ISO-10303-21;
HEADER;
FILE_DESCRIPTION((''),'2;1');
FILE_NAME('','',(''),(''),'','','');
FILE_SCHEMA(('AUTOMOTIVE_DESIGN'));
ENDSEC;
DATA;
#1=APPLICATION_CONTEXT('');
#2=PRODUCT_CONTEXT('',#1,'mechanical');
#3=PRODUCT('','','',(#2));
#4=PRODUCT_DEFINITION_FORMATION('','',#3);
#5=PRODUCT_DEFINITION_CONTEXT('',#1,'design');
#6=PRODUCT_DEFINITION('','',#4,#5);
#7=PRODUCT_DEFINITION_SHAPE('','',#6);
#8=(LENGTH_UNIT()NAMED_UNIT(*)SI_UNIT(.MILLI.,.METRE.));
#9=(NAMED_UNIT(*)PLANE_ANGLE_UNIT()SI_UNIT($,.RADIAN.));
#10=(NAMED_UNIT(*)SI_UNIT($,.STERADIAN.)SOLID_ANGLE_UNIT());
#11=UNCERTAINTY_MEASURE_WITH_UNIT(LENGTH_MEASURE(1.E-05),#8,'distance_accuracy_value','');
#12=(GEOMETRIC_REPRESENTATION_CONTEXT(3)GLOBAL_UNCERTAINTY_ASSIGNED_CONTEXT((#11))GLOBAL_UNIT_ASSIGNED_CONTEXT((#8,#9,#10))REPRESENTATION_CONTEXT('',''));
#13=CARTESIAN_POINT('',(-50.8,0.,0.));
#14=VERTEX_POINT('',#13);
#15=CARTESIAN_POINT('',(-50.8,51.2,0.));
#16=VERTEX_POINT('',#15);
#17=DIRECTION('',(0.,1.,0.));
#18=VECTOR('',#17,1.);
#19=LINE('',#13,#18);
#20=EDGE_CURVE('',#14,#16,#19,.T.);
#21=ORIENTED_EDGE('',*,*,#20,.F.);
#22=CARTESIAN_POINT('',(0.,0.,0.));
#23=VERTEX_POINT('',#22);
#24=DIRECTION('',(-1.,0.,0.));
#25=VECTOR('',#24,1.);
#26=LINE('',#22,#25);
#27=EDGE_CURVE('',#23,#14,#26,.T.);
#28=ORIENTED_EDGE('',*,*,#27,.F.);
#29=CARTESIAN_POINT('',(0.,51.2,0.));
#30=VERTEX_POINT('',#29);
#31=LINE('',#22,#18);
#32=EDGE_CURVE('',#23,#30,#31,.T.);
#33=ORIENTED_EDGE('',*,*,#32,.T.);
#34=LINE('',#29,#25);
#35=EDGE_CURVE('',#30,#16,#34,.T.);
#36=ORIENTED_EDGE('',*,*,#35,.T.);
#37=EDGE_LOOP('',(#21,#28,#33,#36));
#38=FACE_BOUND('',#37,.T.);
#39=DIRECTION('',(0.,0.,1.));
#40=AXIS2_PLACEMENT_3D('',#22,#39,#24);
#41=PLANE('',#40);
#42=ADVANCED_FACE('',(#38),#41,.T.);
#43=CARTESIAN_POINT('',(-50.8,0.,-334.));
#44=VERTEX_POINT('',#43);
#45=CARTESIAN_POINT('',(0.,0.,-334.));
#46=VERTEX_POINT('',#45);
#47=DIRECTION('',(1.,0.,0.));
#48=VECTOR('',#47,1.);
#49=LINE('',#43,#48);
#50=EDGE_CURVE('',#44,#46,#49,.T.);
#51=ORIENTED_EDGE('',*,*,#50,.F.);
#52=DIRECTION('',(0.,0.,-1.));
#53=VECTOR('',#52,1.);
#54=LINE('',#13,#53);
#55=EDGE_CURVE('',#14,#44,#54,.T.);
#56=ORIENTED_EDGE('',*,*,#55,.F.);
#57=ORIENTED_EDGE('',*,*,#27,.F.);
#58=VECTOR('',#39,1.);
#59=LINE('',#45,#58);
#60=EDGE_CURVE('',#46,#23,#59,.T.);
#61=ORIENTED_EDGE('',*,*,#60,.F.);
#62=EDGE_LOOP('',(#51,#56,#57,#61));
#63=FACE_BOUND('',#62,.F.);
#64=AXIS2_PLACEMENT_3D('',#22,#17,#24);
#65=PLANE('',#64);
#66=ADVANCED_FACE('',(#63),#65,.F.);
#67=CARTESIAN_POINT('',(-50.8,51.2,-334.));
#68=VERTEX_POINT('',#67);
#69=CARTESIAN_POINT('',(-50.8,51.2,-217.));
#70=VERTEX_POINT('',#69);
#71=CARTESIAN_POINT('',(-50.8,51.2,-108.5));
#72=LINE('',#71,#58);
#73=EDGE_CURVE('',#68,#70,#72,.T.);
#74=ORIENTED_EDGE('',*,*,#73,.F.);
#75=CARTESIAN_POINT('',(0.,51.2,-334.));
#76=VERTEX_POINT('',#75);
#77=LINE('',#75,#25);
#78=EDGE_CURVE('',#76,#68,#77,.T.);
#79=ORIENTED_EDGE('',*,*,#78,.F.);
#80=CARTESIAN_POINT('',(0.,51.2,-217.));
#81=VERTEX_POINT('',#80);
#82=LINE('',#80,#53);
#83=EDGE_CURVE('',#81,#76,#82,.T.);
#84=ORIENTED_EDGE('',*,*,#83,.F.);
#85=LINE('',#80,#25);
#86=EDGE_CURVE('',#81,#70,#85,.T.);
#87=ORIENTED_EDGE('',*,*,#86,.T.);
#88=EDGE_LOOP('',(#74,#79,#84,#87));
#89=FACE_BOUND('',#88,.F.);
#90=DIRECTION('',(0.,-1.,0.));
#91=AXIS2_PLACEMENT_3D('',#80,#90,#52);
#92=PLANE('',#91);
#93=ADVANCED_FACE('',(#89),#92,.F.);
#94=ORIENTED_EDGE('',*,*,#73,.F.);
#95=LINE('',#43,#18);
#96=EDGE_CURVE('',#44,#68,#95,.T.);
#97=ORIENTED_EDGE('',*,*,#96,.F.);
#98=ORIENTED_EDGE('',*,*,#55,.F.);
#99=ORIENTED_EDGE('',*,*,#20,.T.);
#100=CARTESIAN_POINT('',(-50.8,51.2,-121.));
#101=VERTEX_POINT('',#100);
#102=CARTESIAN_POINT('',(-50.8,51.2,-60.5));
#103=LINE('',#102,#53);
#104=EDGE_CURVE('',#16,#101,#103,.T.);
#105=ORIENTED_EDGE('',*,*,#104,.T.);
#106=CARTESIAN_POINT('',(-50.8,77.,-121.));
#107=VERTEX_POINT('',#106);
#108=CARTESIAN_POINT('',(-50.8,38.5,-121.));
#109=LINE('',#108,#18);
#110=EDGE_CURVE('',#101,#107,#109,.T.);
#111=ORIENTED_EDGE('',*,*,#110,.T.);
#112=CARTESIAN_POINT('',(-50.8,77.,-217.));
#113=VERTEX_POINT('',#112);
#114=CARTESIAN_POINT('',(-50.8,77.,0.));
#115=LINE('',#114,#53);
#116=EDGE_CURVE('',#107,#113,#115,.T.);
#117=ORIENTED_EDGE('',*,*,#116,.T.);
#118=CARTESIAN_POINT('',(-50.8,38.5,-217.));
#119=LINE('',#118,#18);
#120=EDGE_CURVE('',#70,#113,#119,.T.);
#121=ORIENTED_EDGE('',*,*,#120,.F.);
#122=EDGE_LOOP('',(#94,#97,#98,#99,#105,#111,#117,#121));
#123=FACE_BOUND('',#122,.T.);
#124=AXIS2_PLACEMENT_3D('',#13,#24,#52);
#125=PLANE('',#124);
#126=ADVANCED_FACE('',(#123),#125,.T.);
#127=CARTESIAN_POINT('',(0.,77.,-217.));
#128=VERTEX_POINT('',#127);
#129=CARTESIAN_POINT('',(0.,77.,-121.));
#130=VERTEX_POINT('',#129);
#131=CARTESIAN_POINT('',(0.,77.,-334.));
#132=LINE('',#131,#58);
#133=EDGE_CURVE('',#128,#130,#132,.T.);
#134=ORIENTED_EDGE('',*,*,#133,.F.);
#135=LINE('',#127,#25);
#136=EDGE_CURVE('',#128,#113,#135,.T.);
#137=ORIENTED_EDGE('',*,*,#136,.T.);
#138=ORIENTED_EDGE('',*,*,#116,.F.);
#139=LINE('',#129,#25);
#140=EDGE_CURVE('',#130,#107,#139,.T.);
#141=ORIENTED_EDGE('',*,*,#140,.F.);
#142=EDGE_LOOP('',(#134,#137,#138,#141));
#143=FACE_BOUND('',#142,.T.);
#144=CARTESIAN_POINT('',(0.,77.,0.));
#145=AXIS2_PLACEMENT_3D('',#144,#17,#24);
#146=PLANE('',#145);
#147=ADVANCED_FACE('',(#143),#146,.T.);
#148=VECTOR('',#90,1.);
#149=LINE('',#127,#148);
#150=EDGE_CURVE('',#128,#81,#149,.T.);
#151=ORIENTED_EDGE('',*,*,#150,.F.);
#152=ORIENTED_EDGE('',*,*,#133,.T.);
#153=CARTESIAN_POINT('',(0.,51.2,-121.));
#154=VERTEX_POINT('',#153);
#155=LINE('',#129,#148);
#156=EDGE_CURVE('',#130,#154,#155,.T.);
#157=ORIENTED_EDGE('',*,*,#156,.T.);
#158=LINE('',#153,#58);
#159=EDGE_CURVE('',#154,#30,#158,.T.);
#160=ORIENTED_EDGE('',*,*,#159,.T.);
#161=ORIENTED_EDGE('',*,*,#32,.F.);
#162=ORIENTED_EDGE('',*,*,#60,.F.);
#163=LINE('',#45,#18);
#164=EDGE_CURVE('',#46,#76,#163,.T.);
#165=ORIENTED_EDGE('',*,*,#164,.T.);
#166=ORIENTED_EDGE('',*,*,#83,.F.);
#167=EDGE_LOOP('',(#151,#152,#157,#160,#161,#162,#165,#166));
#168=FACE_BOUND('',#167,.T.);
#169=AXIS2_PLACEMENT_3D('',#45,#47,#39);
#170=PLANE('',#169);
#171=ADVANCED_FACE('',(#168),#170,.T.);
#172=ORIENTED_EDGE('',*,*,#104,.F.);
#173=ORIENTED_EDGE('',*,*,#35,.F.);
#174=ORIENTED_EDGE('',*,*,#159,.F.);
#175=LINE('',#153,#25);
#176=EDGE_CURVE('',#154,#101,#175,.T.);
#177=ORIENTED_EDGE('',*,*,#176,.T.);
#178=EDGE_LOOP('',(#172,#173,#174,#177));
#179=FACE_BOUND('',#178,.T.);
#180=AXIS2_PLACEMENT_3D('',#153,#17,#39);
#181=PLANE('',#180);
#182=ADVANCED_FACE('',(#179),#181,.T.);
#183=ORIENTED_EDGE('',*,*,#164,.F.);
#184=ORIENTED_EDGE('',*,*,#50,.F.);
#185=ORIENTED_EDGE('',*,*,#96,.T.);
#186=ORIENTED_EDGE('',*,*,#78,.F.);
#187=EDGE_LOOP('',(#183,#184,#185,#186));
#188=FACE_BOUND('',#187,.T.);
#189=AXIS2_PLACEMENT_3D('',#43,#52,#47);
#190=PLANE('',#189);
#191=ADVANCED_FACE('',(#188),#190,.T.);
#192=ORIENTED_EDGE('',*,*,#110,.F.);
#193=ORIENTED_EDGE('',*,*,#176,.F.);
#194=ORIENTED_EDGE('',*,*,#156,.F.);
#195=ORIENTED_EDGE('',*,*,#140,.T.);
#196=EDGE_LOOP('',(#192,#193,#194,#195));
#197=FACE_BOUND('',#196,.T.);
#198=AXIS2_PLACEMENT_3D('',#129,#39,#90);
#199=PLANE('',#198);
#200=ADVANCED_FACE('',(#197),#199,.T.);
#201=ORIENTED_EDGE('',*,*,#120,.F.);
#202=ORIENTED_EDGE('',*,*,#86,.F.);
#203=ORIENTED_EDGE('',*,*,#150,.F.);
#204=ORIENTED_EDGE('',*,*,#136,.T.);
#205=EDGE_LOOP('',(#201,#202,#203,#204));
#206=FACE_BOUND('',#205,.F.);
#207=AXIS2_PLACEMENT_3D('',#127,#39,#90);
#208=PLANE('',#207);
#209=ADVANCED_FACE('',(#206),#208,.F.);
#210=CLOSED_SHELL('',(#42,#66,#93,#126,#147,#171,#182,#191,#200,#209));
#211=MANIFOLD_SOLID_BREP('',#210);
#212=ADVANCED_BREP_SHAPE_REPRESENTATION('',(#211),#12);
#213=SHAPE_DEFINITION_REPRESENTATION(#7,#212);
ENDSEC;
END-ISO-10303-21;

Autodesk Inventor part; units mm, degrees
ref_plane "YZ Plane" through (0, 0, 0) normal (1, 0, 0) x (0, 1, 0)
ref_plane "XZ Plane" through (0, 0, 0) normal (0, 1, 0) x (-1, 0, 0)
ref_plane "XY Plane" through (0, 0, 0) normal (0, 0, 1) x (1, 0, 0)
sketch "Sketch1" plane through (0, 0, 0) normal (0, 1, 0) x (-1, 0, 0)
  line L0 (0, 0) -> (50.8, 0)
  line L1 (50.8, 0) -> (50.8, -334)
  line L2 (50.8, -334) -> (0, -334)
  line L3 (0, -334) -> (0, 0)
  dimension "d0" = 50.8
  dimension "d1" = 334
extrude "Extrusion1" add sketch "Sketch1" along normal blind 77
sketch "Sketch3" plane through (0, 0, 0) normal (1, 0, 0) x (0, 0, -1)
  line L0 (0, 77) -> (121, 77)
  line L1 (121, 77) -> (121, 51.2)
  line L2 (121, 51.2) -> (0, 51.2)
  line L3 (0, 51.2) -> (0, 77)
  line L4 (0, 77) -> (334, 77) projected
  line L5 (334, 77) -> (217, 77)
  line L6 (217, 77) -> (217, 51.2)
  line L7 (217, 51.2) -> (334, 51.2)
  line L8 (334, 51.2) -> (334, 77)
  point P0 (0, 0)
  dimension "d9" = 25.8
  dimension "d10" = 117
  dimension "d11" = 25.8
  dimension "d14" = 96
extrude "Extrusion2" cut sketch "Sketch3" against normal blind 52.8
properties part number "PiezaPuerta-1"
